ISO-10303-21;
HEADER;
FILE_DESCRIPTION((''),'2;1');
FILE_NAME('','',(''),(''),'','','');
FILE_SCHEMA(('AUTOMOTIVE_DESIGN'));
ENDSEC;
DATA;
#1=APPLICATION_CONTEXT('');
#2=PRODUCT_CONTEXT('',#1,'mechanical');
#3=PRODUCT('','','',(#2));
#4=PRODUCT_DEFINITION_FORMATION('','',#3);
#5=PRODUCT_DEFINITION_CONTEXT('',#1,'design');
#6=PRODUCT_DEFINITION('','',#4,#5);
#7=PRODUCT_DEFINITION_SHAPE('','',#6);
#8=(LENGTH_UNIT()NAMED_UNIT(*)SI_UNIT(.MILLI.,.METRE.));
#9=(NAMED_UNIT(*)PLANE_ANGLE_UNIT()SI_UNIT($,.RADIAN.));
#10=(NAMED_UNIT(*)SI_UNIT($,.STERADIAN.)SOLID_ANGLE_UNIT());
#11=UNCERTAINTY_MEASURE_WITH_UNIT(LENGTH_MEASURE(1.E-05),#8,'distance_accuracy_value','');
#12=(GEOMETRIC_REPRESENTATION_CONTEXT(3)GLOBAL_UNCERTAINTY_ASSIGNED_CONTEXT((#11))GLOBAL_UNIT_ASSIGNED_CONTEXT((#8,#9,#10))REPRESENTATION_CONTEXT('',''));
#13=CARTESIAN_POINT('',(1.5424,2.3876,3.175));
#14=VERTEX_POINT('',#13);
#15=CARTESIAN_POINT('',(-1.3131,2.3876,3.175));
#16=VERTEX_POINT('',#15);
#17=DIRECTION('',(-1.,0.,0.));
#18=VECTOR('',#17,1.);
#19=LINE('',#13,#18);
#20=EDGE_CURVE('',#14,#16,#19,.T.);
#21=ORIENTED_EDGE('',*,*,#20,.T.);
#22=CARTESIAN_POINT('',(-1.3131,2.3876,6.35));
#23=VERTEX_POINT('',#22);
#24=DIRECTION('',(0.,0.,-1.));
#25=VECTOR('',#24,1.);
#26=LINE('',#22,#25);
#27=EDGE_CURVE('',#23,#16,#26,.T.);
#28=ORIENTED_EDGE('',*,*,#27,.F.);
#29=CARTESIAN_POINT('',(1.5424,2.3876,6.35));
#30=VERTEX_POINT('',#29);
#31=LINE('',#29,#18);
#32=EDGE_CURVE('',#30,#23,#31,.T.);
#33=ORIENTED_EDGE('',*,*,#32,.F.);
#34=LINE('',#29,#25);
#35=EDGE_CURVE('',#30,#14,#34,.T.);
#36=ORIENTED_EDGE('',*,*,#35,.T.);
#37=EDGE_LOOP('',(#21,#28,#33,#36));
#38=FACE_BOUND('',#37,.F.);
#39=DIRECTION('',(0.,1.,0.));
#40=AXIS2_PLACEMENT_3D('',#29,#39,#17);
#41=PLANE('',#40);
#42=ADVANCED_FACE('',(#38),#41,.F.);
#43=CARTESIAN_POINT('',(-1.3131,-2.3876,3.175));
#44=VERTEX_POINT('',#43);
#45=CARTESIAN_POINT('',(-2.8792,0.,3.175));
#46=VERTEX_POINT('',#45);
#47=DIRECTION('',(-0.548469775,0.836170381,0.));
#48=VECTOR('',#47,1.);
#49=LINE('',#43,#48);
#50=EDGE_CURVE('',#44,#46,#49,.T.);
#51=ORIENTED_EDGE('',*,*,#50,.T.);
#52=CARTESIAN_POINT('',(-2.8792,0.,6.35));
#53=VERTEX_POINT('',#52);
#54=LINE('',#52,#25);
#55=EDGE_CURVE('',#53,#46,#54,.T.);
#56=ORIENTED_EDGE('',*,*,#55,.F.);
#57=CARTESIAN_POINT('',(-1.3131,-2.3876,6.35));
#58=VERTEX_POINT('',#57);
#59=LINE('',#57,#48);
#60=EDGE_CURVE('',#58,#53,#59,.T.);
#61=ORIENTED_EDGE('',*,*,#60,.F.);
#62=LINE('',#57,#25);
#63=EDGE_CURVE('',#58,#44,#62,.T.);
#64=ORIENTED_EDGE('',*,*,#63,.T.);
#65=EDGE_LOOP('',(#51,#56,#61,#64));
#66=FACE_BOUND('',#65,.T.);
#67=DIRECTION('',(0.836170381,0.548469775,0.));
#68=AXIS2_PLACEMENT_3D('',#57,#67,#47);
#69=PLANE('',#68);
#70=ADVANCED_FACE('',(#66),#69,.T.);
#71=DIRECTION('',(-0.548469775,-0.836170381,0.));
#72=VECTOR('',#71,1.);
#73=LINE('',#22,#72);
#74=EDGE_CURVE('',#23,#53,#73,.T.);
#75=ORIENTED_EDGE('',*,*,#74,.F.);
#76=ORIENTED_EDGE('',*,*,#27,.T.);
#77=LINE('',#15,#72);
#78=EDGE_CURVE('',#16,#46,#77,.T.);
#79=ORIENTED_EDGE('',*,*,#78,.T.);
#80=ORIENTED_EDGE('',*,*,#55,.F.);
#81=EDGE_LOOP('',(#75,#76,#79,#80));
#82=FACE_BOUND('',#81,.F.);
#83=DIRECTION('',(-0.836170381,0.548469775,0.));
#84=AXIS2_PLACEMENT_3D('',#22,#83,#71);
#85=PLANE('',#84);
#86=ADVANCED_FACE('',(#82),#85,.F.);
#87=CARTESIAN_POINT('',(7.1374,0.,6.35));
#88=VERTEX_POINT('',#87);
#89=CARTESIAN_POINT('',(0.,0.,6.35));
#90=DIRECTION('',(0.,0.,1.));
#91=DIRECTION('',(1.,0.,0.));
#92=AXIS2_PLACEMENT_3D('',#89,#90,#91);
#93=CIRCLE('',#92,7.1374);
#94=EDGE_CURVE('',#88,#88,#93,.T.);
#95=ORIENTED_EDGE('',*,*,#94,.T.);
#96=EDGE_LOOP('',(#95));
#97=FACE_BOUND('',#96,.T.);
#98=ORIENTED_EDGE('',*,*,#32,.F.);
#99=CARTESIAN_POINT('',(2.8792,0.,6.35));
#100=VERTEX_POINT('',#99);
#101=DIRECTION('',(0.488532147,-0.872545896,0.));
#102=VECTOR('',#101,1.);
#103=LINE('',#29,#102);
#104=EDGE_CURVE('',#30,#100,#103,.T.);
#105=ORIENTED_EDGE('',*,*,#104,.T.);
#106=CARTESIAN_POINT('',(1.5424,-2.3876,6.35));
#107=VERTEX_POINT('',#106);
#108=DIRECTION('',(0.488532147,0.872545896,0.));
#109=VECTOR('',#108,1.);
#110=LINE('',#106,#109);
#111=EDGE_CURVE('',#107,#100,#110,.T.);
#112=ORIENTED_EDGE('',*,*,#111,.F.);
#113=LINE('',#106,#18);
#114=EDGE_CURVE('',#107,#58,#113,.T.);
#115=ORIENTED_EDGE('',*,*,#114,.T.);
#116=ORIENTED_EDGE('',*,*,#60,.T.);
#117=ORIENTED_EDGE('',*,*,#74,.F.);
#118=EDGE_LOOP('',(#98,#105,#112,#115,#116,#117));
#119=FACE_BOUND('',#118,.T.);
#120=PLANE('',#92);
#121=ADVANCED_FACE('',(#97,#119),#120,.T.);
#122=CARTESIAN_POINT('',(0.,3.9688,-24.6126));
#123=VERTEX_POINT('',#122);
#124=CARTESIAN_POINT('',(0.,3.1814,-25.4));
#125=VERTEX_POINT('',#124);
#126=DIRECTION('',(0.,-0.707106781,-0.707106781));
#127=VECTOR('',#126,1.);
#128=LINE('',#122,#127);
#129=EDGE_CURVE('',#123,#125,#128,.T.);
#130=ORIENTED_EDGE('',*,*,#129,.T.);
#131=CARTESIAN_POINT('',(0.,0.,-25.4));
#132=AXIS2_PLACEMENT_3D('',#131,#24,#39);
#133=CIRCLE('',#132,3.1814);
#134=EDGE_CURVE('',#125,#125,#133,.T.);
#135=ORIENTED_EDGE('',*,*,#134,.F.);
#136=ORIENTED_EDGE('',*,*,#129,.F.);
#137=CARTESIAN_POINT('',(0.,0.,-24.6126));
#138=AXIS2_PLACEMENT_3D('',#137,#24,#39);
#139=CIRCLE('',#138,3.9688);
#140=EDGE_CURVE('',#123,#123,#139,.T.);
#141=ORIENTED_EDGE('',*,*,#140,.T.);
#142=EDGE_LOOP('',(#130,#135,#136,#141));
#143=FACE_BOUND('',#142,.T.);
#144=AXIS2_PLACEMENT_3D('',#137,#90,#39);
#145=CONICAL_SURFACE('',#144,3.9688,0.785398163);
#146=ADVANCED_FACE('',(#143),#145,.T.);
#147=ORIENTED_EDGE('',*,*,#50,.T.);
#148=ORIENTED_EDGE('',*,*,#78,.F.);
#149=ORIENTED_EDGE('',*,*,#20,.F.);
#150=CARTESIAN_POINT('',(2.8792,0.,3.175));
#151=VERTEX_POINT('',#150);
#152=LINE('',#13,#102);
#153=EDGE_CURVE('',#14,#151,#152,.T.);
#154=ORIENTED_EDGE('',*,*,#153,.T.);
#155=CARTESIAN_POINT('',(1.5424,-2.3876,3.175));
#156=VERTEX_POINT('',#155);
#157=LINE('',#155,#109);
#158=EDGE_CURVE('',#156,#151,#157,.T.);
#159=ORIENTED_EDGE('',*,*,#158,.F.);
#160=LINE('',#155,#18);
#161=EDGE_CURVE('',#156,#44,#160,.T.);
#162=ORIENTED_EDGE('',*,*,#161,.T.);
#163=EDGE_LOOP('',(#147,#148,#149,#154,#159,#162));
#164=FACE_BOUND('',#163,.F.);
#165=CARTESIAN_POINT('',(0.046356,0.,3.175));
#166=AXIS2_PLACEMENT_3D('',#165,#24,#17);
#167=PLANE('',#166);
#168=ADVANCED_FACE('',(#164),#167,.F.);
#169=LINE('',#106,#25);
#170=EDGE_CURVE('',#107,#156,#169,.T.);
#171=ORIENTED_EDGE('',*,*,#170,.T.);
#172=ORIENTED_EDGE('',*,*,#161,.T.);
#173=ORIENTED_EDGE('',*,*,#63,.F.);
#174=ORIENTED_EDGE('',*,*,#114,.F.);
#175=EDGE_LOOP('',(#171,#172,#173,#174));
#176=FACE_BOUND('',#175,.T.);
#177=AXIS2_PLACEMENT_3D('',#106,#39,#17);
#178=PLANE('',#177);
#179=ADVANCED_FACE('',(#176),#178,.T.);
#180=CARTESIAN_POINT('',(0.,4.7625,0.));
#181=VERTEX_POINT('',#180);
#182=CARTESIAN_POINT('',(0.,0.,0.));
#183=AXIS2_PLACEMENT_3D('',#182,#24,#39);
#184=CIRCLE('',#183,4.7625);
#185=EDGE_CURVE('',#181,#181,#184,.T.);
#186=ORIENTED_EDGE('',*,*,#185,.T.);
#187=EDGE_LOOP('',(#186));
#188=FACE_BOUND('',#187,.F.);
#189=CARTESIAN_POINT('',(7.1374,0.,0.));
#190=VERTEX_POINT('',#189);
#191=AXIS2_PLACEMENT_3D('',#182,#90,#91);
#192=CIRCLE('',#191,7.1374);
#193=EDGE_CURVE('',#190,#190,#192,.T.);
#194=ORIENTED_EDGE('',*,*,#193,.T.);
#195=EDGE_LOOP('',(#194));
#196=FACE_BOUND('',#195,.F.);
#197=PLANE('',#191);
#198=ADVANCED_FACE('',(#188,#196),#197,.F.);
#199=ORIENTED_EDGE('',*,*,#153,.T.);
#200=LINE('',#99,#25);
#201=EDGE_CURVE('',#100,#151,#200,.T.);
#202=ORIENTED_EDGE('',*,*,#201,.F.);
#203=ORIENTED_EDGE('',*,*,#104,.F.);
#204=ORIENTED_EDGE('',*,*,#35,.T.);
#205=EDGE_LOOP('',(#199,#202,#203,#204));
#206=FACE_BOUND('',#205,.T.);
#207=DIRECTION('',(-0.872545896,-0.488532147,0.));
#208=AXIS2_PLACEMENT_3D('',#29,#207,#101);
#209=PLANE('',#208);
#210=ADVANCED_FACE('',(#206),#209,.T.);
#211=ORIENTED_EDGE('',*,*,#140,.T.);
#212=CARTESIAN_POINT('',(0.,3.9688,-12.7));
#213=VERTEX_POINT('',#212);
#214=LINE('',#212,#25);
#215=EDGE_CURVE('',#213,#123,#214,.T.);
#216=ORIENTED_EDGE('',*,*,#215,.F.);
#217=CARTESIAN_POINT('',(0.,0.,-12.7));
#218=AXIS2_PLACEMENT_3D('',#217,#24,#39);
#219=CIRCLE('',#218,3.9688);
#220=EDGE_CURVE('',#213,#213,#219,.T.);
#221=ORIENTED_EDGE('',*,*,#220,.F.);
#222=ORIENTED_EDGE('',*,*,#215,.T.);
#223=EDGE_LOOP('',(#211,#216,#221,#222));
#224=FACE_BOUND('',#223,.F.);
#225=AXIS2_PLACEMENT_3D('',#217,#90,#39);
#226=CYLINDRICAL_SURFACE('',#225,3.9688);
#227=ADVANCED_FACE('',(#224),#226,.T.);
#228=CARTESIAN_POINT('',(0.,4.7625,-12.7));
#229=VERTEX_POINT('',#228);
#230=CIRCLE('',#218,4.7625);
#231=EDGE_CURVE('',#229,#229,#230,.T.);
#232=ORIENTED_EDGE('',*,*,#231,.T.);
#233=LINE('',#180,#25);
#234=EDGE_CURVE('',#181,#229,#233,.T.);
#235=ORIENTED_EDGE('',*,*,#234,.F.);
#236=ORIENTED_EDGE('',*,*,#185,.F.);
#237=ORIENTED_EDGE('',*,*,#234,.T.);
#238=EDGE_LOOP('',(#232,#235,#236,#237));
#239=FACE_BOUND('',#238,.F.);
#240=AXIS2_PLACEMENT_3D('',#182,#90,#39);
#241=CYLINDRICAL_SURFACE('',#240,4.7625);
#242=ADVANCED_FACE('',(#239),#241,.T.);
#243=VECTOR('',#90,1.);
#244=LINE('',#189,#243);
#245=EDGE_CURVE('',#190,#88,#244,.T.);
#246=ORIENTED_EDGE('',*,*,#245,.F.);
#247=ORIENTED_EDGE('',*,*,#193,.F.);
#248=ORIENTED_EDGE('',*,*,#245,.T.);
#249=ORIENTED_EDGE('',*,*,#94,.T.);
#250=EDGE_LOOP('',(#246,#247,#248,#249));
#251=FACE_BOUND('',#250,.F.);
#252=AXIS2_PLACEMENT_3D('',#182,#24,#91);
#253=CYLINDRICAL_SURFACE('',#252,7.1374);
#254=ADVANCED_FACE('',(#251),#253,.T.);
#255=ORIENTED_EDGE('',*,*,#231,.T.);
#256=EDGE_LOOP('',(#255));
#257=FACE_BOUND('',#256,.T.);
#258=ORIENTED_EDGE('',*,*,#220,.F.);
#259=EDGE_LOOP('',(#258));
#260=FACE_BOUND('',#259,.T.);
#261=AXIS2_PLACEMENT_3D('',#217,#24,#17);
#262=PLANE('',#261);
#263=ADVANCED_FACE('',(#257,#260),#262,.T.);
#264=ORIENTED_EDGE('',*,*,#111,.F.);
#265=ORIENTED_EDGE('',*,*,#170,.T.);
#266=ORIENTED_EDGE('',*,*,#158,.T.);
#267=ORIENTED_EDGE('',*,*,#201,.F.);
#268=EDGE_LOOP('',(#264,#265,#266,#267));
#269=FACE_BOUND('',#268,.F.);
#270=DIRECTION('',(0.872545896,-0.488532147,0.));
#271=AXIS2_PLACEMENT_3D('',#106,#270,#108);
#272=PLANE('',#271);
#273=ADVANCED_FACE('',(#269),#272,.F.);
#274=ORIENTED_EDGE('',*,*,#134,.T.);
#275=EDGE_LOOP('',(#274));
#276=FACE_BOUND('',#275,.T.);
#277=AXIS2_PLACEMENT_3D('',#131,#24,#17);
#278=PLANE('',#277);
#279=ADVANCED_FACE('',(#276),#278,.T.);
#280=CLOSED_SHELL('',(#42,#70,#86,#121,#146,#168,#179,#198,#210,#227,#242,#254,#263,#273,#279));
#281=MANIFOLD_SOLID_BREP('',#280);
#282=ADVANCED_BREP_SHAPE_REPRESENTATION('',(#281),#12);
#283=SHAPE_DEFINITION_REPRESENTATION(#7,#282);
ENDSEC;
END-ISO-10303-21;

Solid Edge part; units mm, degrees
sketch "Sketch1" plane through (0, 0, 0) normal (0, 0, 1) x (1, 0, 0)
  circle A0 centre (0, 0) radius 7.1374
  dimension "D1" = 14.2748
extrude "Protrusion1" add sketch "Sketch1" along normal blind 6.35
sketch "Sketch2" plane through (0, 0, 0) normal (0, 0, -1) x (0, 1, 0)
  circle A0 centre (0, 0) radius 4.7625
  dimension "D1" = 9.525
extrude "Protrusion2" add sketch "Sketch2" along normal blind 12.7
sketch "Sketch3" plane through (0, 0, -12.7) normal (0, 0, -1) x (0, 1, 0)
  circle A0 centre (0, 0) radius 3.9688
  dimension "D1" = 7.9375
extrude "Protrusion3" add sketch "Sketch3" along normal blind 12.7
sketch "Sketch4" plane through (0, 0, 6.35) normal (0, 0, 1) x (0, 1, 0)
  line L0 (-2.3876, 1.3131) -> (0, 2.8792)
  line L1 (-2.3876, -1.5424) -> (-2.3876, 1.3131)
  line L2 (-2.3876, -1.5424) -> (0, -2.8792)
  line L3 (2.3876, -1.5424) -> (0, -2.8792)
  line L4 (2.3876, -1.5424) -> (2.3876, 1.3131)
  line L5 (2.3876, 1.3131) -> (0, 2.8792)
  dimension "D1" = 4.7752
extrude "Cutout1" cut sketch "Sketch4" against normal blind 3.175
chamfer "Chamfer1" distance 0.7874 angle 45 1 edges at (0, -3.9688, -25.4)
properties part number "24103079"
